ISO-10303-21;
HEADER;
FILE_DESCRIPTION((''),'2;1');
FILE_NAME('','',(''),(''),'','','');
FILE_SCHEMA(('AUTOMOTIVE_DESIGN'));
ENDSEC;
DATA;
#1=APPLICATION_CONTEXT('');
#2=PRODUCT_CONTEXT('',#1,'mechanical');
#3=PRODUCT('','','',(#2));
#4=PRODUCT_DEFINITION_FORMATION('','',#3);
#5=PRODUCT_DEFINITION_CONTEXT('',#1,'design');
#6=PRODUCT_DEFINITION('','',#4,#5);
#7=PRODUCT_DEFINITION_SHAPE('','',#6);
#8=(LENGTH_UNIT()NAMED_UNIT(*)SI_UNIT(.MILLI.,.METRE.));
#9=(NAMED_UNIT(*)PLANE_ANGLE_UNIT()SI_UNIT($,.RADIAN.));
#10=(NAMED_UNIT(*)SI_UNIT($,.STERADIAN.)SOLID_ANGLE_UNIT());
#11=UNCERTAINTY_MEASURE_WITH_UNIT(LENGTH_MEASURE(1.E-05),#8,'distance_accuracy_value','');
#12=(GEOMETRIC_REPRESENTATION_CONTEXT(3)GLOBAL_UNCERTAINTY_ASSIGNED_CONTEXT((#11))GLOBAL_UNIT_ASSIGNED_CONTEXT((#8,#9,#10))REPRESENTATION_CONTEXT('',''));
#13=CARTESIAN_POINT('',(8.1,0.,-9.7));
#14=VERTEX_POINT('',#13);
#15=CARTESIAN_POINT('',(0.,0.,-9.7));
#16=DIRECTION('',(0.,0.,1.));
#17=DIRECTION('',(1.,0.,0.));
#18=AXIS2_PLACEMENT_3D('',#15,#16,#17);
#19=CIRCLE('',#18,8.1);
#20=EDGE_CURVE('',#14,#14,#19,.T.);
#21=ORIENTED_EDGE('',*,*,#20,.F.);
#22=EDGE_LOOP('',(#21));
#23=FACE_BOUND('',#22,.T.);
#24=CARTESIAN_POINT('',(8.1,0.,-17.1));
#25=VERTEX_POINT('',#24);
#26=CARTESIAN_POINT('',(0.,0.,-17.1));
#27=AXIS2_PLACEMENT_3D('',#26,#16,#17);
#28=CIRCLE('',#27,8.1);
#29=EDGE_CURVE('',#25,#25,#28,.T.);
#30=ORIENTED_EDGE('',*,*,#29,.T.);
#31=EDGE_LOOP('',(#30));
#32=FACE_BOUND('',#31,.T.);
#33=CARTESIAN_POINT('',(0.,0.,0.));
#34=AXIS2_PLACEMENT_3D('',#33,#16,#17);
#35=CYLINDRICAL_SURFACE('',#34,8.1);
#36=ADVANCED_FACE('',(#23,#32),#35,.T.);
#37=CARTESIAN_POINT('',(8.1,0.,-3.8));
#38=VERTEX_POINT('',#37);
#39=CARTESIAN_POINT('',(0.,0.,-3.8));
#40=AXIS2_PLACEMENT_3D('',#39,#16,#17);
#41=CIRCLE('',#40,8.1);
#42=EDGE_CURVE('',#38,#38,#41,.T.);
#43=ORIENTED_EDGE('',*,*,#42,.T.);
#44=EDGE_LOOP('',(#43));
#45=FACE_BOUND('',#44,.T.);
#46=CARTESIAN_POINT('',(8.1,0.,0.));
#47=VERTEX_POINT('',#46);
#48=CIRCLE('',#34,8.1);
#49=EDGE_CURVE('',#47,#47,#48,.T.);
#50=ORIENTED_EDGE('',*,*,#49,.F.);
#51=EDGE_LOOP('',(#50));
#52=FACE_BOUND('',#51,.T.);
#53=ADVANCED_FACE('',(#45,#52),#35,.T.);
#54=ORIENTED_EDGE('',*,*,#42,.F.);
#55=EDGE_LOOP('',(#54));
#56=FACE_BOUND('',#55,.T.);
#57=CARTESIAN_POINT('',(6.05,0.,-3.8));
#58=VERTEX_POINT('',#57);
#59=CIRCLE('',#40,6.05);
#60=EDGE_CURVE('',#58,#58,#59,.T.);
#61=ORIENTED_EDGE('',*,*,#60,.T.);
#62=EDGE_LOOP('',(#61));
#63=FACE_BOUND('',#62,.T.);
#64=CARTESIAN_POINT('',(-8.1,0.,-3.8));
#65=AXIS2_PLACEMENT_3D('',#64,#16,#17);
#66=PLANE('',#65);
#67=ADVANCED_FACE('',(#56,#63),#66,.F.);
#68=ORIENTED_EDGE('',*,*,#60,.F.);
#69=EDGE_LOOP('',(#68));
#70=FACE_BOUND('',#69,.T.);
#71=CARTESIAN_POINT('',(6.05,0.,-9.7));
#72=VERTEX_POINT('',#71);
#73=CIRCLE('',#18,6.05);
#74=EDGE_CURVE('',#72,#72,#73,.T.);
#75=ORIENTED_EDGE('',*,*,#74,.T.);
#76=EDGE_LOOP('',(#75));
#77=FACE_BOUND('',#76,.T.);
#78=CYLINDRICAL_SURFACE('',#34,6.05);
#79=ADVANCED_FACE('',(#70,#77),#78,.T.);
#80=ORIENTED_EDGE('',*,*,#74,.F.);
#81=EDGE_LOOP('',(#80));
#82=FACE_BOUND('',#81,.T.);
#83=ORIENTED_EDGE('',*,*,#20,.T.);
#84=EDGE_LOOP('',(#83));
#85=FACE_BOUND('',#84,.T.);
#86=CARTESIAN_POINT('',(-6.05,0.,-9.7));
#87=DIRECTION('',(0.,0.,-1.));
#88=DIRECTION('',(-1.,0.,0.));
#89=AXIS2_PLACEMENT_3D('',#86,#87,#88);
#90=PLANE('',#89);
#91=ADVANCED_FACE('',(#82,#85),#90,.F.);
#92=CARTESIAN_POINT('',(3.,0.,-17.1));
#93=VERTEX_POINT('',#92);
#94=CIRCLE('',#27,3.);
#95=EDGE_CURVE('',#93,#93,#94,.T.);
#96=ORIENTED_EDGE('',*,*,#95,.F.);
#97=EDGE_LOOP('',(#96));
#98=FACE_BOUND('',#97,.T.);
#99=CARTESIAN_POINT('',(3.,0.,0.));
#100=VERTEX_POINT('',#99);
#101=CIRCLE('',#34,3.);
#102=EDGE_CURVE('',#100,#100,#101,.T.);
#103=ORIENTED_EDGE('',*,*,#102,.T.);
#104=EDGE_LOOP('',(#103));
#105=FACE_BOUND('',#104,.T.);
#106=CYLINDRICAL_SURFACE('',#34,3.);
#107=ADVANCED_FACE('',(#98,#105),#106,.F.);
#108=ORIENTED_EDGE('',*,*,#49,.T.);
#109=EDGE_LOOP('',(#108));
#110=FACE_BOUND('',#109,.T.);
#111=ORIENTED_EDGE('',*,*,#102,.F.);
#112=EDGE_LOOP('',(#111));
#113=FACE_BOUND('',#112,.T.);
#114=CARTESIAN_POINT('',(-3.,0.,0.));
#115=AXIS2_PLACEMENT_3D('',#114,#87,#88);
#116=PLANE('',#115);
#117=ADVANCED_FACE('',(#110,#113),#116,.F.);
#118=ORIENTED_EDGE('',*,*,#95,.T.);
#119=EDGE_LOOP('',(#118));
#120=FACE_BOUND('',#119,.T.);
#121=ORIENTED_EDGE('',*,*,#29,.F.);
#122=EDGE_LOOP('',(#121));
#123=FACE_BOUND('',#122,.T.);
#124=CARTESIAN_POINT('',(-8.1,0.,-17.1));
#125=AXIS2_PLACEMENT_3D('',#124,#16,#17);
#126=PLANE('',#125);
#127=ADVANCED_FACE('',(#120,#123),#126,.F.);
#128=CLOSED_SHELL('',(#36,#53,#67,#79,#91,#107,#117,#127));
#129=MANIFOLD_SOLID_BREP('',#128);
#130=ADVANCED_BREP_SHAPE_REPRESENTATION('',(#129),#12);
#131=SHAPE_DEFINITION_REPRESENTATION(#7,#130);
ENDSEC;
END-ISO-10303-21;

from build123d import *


with BuildPart() as part:
    # Sketch1 → Revolve1 (revolve)
    with BuildSketch(Plane(origin=(0, 0, 0), x_dir=(1, 0, 0), z_dir=(0, 1, 0)), mode=Mode.PRIVATE) as revolve1_sk:
        Polygon((-3, 0), (-8.1, 0), (-8.1, 3.8), (-6.05, 3.8), (-6.05, 9.7), (-8.1, 9.7), (-8.1, 17.1), (-3, 17.1), align=None)
    revolve(revolve1_sk.sketch.rotate(Axis((0, 0, 0), (0, 0, -1)), 180), axis=Axis((0, 0, 0), (0, 0, -1)))


solid = part.part
